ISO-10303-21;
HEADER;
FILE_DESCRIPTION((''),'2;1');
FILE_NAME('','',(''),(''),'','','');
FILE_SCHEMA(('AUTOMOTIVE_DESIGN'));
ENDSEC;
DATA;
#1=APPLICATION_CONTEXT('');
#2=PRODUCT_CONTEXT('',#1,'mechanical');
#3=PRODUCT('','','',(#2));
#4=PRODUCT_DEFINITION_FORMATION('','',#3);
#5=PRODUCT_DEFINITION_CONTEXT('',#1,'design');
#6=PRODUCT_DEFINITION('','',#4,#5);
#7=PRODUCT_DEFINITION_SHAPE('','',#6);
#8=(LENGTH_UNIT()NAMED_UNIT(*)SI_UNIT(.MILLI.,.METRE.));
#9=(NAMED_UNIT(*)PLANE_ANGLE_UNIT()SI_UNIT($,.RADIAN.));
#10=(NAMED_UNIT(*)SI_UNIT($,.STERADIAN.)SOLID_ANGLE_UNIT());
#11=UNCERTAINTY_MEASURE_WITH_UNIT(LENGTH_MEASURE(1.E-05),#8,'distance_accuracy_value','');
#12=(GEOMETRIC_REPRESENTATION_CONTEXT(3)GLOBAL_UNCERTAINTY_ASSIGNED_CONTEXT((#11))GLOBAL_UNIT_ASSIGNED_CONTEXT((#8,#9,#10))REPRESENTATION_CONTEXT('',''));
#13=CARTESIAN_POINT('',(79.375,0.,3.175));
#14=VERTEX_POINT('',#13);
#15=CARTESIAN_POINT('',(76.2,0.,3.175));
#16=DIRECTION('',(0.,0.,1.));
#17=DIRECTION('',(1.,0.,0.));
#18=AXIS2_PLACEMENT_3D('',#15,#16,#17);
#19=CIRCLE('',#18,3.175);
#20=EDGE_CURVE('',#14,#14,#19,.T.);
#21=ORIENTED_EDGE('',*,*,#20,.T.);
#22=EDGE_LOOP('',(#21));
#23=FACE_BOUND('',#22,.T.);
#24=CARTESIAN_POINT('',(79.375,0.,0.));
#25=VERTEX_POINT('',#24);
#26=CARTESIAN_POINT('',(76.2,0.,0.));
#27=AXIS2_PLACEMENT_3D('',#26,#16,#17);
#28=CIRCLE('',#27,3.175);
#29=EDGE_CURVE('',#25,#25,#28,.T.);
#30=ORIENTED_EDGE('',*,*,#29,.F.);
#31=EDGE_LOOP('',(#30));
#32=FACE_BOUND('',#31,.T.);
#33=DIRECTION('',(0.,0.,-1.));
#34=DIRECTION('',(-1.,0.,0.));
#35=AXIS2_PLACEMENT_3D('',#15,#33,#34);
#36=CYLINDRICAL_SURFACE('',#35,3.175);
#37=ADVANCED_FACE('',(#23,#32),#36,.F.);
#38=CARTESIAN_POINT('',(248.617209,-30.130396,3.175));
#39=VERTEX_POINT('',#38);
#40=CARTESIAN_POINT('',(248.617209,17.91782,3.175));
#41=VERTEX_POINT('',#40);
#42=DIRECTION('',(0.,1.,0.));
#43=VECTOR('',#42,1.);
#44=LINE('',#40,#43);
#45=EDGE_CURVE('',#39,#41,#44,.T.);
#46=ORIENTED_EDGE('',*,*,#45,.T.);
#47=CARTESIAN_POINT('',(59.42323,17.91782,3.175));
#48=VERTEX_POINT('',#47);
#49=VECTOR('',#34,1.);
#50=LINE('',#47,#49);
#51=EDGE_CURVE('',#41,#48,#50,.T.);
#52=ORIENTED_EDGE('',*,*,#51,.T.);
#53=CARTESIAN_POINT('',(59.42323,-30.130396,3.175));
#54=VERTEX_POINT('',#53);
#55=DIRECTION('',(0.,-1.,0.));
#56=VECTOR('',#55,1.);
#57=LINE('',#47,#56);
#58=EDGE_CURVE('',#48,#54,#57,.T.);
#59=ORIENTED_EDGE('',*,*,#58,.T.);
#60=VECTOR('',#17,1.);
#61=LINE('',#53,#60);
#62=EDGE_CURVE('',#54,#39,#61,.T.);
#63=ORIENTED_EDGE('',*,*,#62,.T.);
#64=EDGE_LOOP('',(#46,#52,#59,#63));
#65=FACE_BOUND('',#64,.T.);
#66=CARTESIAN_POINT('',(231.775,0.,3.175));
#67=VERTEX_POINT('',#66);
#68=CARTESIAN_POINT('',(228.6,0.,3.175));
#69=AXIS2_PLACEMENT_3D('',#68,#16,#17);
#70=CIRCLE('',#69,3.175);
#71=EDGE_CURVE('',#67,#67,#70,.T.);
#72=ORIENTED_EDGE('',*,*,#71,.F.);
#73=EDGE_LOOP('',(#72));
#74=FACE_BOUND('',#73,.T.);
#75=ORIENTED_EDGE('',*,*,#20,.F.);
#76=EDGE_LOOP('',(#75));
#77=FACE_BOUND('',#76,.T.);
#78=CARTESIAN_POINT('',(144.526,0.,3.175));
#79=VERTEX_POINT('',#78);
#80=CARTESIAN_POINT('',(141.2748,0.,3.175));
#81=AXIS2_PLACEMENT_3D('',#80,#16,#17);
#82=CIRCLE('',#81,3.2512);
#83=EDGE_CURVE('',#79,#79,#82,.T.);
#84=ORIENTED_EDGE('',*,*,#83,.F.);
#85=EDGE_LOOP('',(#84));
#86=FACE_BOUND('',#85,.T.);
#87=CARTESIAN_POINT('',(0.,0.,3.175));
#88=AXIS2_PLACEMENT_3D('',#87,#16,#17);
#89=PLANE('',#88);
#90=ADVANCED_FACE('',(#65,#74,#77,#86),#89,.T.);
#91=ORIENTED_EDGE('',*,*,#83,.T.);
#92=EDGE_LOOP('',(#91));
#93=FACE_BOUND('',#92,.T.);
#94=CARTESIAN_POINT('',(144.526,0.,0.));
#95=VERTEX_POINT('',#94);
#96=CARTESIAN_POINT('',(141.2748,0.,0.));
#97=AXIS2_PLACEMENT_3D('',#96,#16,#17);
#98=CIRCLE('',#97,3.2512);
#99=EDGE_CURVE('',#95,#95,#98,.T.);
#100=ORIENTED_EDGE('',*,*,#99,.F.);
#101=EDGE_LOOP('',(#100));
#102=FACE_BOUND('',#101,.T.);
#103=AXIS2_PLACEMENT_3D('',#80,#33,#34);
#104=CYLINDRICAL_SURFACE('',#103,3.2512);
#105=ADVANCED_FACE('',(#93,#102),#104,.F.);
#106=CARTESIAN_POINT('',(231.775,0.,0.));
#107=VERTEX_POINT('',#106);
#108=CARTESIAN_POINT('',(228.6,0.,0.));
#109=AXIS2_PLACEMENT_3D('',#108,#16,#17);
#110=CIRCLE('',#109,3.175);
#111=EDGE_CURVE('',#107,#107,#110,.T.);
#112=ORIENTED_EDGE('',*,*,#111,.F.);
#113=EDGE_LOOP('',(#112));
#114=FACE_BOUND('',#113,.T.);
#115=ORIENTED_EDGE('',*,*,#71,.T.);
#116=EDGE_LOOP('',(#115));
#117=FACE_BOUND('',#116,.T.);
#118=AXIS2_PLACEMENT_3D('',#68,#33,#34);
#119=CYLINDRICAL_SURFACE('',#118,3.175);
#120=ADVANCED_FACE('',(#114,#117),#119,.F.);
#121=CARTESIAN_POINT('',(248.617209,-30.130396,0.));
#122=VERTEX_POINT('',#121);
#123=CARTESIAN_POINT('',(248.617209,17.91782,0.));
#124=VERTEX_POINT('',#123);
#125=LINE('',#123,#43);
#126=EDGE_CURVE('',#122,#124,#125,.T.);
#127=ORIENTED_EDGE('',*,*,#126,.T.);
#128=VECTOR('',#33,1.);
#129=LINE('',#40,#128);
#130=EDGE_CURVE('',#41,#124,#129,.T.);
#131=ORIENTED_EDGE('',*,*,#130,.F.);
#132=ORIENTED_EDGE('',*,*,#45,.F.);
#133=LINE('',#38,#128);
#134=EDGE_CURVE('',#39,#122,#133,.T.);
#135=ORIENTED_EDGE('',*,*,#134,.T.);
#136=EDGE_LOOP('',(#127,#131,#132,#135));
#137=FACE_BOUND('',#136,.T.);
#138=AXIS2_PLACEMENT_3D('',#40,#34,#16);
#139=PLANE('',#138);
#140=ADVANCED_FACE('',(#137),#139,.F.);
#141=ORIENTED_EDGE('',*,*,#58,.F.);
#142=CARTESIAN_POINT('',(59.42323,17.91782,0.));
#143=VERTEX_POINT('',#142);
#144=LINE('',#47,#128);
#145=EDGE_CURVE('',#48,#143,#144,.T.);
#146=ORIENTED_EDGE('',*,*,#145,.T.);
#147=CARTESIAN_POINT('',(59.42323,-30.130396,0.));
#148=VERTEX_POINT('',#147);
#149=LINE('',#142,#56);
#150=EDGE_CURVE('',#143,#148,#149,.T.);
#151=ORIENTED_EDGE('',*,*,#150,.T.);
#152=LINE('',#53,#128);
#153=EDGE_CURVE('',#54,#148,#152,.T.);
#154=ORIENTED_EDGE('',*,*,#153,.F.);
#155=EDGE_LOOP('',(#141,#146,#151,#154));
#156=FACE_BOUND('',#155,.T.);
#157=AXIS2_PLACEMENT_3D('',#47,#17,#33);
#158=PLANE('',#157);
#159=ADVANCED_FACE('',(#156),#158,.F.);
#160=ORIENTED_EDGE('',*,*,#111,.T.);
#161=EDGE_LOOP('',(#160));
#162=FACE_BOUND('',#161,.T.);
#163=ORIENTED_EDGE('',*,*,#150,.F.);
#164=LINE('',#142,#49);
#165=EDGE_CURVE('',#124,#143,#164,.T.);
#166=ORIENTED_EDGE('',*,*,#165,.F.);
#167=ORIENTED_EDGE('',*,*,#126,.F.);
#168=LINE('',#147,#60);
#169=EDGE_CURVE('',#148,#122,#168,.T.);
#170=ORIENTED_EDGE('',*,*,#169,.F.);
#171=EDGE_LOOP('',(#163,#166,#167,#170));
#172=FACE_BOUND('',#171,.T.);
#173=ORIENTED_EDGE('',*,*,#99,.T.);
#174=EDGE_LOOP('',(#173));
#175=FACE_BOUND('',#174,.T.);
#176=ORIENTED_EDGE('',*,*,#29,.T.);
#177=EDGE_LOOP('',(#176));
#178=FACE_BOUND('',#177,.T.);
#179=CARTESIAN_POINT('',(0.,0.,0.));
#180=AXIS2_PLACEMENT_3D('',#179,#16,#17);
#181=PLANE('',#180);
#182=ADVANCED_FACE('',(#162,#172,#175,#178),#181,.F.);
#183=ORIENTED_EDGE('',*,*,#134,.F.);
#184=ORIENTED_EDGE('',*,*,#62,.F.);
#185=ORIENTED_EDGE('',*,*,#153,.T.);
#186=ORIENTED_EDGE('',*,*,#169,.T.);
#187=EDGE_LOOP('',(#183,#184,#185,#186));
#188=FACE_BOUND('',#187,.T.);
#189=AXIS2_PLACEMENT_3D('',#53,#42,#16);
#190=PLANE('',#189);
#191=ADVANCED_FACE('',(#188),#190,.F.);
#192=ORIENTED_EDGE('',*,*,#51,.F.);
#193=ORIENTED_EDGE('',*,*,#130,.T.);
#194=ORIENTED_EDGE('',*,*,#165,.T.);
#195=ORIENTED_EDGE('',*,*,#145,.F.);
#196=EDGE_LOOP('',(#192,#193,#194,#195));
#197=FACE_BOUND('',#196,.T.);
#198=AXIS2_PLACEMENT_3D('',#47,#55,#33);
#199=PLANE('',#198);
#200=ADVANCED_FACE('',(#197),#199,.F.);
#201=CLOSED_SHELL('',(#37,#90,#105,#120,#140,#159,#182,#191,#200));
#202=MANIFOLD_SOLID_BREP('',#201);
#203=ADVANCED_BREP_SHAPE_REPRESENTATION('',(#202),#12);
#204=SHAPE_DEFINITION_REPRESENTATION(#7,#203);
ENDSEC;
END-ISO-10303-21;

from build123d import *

# Parameters (mm, degrees)
SKETCH1_W           = 189.193979042
SKETCH1_H           = 48.048216354
SKETCH1_R           = 3.175
SKETCH1_R_2         = 3.2512
BOSS_EXTRUDE1_DEPTH = 3.175


with BuildPart() as part:
    # Sketch1 → Boss-Extrude1 (new body)
    with BuildSketch(Plane.XY):
        with Locations((154.020219565, -6.106288288)):
            Rectangle(SKETCH1_W, SKETCH1_H)
        with Locations((76.2, 0)):
            Circle(SKETCH1_R, mode=Mode.SUBTRACT)
        with Locations((228.6, 0)):
            Circle(SKETCH1_R, mode=Mode.SUBTRACT)
        with Locations((141.2748, 0)):
            Circle(SKETCH1_R_2, mode=Mode.SUBTRACT)
    extrude(amount=BOSS_EXTRUDE1_DEPTH)


solid = part.part
